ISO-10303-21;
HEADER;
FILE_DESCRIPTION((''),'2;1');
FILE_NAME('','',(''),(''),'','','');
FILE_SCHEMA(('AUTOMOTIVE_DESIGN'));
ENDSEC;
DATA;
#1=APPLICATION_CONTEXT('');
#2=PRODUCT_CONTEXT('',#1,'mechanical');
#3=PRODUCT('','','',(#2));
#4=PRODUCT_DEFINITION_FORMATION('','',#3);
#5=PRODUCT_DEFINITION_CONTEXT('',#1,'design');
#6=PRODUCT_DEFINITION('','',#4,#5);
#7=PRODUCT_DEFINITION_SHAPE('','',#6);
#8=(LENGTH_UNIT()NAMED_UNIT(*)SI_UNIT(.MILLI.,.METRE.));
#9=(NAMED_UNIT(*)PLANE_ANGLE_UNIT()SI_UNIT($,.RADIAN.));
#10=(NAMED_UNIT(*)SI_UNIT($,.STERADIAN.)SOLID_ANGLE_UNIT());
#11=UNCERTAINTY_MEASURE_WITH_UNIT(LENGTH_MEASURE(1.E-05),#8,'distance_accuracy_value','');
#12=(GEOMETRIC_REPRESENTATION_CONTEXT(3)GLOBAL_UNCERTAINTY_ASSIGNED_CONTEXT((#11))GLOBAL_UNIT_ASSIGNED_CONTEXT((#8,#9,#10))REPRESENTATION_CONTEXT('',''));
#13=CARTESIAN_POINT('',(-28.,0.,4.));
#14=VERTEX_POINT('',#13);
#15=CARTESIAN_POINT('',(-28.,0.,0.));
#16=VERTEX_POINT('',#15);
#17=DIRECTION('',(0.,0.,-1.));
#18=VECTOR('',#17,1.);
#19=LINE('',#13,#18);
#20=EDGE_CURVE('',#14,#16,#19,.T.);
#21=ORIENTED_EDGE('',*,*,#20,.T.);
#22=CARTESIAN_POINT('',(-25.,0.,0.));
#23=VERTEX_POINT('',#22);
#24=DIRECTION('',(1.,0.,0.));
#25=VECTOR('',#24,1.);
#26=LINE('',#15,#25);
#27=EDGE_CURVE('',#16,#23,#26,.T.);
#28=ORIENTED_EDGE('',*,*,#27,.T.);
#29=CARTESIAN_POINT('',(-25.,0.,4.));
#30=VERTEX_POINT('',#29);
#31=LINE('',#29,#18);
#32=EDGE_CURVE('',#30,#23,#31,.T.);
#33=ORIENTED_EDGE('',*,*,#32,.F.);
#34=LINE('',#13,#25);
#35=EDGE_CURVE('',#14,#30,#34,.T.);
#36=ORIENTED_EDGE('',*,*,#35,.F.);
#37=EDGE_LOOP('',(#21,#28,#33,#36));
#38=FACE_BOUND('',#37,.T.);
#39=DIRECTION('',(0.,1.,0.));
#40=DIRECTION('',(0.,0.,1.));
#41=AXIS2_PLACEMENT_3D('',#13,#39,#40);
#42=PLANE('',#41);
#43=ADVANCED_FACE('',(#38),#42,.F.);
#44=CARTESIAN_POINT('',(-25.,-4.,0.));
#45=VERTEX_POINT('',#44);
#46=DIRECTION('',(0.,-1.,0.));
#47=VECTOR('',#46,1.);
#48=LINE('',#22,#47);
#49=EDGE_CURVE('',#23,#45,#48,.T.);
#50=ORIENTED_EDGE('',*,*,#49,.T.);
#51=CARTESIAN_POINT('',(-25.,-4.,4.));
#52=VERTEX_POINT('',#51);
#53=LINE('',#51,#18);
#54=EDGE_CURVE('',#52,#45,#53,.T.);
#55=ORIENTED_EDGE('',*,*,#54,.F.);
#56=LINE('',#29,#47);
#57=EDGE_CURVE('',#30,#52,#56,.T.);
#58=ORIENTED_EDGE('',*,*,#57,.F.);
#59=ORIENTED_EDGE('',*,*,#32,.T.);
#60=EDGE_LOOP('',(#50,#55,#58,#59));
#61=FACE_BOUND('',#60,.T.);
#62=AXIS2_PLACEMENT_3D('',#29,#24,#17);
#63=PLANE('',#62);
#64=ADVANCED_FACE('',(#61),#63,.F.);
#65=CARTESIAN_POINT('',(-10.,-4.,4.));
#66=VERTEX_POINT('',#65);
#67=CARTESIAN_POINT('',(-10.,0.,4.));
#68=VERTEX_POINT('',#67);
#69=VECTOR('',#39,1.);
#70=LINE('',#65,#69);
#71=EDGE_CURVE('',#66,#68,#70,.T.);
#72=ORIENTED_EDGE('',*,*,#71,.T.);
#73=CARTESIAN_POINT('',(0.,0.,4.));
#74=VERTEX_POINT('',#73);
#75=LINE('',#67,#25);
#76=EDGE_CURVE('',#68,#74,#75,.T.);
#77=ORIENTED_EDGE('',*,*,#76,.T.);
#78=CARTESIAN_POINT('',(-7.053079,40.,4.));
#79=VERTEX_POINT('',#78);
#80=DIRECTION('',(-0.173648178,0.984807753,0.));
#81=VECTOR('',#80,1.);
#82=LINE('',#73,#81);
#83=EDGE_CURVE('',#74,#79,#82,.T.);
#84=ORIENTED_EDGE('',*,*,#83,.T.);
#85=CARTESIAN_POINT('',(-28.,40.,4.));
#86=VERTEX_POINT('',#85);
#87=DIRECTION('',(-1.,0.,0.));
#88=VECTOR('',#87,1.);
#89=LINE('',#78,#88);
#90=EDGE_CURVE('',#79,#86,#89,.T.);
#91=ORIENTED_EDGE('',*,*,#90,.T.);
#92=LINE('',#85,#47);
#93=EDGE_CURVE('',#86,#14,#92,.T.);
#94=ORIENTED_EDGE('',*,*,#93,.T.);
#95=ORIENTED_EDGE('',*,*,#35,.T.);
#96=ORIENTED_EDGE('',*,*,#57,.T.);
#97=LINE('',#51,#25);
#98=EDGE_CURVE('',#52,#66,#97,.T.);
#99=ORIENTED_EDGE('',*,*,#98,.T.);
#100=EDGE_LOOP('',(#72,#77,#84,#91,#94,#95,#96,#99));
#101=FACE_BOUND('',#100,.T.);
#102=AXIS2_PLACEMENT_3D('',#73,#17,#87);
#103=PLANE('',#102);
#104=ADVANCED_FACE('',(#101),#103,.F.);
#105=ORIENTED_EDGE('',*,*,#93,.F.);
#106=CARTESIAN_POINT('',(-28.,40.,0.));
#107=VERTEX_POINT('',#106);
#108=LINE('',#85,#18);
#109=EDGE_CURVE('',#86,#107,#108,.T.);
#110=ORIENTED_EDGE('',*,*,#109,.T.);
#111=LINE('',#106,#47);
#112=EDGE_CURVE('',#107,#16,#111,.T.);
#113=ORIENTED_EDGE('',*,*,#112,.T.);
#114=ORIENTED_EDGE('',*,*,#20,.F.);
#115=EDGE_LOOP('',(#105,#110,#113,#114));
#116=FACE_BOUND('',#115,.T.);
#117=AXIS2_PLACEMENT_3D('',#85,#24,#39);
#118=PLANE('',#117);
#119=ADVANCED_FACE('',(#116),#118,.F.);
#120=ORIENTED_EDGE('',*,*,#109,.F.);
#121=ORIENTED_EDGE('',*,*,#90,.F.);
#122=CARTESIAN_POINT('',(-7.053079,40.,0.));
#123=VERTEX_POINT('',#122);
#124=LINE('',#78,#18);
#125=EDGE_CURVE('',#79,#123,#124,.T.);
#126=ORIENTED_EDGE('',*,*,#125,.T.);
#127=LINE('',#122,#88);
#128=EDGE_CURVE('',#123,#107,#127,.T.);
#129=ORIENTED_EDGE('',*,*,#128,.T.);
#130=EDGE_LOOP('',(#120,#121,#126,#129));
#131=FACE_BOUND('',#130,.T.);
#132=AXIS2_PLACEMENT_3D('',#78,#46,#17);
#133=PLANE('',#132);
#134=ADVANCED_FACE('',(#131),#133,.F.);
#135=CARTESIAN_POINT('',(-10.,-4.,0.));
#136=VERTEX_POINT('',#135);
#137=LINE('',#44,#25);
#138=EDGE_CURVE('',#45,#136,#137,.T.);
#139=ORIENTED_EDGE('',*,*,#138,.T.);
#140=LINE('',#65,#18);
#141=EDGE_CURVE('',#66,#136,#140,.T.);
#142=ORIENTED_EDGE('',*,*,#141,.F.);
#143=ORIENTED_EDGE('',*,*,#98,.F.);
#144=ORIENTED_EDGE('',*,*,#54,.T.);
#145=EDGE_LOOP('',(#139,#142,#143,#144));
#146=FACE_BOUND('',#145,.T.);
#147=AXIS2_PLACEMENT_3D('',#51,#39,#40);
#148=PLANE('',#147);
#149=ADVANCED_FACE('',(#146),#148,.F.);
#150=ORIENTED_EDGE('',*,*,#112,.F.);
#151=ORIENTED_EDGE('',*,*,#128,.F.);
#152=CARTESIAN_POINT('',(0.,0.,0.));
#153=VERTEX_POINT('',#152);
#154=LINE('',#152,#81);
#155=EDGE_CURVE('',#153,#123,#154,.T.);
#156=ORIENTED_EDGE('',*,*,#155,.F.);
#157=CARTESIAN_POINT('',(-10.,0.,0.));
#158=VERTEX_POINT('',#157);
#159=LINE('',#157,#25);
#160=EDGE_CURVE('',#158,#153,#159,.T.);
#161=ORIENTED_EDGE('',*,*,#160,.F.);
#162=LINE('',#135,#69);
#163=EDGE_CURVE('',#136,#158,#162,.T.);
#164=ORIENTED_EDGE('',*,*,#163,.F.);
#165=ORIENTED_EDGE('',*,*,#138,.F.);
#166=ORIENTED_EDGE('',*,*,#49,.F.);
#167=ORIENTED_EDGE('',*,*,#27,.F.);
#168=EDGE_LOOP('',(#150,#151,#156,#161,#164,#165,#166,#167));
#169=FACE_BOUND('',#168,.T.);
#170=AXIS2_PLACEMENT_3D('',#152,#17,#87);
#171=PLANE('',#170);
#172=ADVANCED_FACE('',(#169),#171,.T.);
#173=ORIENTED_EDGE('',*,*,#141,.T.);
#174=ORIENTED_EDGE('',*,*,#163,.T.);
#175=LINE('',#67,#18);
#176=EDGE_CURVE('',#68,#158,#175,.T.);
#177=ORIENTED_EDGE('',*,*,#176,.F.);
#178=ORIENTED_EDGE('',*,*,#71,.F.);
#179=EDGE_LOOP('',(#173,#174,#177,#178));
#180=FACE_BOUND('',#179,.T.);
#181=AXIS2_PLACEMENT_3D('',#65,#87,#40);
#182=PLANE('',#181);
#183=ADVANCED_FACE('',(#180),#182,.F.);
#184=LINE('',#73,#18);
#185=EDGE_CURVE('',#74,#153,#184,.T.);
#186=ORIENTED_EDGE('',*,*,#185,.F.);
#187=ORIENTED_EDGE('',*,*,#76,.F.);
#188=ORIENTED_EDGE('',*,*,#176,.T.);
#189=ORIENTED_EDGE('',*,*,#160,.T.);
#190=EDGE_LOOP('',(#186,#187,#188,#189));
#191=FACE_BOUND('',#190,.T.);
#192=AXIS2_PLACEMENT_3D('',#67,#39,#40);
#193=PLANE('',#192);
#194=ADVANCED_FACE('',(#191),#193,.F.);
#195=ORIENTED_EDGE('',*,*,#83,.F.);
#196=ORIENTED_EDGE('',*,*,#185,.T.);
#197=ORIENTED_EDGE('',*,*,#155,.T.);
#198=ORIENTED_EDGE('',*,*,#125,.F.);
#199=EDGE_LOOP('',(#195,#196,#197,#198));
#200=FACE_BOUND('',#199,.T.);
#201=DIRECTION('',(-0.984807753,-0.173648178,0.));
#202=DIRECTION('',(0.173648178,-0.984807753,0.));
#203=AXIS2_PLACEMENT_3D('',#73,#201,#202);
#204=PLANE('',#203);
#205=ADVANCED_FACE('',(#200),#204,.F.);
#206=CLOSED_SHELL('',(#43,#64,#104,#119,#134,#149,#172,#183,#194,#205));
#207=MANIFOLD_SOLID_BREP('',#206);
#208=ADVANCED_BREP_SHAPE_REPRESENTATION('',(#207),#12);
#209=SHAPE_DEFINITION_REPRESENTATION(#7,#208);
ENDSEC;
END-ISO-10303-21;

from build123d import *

# Parameters (mm, degrees)
BOSS_EXTRUDE1_DEPTH = 4


with BuildPart() as part:
    # Sketch1 → Boss-Extrude1 (new body)
    with BuildSketch(Plane.XY):
        Polygon((0, 0), (-7.053079228, 40), (-28, 40), (-28, 0), (-25, 0), (-25, -4), (-10, -4), (-10, 0), align=None)
    extrude(amount=BOSS_EXTRUDE1_DEPTH)


solid = part.part
